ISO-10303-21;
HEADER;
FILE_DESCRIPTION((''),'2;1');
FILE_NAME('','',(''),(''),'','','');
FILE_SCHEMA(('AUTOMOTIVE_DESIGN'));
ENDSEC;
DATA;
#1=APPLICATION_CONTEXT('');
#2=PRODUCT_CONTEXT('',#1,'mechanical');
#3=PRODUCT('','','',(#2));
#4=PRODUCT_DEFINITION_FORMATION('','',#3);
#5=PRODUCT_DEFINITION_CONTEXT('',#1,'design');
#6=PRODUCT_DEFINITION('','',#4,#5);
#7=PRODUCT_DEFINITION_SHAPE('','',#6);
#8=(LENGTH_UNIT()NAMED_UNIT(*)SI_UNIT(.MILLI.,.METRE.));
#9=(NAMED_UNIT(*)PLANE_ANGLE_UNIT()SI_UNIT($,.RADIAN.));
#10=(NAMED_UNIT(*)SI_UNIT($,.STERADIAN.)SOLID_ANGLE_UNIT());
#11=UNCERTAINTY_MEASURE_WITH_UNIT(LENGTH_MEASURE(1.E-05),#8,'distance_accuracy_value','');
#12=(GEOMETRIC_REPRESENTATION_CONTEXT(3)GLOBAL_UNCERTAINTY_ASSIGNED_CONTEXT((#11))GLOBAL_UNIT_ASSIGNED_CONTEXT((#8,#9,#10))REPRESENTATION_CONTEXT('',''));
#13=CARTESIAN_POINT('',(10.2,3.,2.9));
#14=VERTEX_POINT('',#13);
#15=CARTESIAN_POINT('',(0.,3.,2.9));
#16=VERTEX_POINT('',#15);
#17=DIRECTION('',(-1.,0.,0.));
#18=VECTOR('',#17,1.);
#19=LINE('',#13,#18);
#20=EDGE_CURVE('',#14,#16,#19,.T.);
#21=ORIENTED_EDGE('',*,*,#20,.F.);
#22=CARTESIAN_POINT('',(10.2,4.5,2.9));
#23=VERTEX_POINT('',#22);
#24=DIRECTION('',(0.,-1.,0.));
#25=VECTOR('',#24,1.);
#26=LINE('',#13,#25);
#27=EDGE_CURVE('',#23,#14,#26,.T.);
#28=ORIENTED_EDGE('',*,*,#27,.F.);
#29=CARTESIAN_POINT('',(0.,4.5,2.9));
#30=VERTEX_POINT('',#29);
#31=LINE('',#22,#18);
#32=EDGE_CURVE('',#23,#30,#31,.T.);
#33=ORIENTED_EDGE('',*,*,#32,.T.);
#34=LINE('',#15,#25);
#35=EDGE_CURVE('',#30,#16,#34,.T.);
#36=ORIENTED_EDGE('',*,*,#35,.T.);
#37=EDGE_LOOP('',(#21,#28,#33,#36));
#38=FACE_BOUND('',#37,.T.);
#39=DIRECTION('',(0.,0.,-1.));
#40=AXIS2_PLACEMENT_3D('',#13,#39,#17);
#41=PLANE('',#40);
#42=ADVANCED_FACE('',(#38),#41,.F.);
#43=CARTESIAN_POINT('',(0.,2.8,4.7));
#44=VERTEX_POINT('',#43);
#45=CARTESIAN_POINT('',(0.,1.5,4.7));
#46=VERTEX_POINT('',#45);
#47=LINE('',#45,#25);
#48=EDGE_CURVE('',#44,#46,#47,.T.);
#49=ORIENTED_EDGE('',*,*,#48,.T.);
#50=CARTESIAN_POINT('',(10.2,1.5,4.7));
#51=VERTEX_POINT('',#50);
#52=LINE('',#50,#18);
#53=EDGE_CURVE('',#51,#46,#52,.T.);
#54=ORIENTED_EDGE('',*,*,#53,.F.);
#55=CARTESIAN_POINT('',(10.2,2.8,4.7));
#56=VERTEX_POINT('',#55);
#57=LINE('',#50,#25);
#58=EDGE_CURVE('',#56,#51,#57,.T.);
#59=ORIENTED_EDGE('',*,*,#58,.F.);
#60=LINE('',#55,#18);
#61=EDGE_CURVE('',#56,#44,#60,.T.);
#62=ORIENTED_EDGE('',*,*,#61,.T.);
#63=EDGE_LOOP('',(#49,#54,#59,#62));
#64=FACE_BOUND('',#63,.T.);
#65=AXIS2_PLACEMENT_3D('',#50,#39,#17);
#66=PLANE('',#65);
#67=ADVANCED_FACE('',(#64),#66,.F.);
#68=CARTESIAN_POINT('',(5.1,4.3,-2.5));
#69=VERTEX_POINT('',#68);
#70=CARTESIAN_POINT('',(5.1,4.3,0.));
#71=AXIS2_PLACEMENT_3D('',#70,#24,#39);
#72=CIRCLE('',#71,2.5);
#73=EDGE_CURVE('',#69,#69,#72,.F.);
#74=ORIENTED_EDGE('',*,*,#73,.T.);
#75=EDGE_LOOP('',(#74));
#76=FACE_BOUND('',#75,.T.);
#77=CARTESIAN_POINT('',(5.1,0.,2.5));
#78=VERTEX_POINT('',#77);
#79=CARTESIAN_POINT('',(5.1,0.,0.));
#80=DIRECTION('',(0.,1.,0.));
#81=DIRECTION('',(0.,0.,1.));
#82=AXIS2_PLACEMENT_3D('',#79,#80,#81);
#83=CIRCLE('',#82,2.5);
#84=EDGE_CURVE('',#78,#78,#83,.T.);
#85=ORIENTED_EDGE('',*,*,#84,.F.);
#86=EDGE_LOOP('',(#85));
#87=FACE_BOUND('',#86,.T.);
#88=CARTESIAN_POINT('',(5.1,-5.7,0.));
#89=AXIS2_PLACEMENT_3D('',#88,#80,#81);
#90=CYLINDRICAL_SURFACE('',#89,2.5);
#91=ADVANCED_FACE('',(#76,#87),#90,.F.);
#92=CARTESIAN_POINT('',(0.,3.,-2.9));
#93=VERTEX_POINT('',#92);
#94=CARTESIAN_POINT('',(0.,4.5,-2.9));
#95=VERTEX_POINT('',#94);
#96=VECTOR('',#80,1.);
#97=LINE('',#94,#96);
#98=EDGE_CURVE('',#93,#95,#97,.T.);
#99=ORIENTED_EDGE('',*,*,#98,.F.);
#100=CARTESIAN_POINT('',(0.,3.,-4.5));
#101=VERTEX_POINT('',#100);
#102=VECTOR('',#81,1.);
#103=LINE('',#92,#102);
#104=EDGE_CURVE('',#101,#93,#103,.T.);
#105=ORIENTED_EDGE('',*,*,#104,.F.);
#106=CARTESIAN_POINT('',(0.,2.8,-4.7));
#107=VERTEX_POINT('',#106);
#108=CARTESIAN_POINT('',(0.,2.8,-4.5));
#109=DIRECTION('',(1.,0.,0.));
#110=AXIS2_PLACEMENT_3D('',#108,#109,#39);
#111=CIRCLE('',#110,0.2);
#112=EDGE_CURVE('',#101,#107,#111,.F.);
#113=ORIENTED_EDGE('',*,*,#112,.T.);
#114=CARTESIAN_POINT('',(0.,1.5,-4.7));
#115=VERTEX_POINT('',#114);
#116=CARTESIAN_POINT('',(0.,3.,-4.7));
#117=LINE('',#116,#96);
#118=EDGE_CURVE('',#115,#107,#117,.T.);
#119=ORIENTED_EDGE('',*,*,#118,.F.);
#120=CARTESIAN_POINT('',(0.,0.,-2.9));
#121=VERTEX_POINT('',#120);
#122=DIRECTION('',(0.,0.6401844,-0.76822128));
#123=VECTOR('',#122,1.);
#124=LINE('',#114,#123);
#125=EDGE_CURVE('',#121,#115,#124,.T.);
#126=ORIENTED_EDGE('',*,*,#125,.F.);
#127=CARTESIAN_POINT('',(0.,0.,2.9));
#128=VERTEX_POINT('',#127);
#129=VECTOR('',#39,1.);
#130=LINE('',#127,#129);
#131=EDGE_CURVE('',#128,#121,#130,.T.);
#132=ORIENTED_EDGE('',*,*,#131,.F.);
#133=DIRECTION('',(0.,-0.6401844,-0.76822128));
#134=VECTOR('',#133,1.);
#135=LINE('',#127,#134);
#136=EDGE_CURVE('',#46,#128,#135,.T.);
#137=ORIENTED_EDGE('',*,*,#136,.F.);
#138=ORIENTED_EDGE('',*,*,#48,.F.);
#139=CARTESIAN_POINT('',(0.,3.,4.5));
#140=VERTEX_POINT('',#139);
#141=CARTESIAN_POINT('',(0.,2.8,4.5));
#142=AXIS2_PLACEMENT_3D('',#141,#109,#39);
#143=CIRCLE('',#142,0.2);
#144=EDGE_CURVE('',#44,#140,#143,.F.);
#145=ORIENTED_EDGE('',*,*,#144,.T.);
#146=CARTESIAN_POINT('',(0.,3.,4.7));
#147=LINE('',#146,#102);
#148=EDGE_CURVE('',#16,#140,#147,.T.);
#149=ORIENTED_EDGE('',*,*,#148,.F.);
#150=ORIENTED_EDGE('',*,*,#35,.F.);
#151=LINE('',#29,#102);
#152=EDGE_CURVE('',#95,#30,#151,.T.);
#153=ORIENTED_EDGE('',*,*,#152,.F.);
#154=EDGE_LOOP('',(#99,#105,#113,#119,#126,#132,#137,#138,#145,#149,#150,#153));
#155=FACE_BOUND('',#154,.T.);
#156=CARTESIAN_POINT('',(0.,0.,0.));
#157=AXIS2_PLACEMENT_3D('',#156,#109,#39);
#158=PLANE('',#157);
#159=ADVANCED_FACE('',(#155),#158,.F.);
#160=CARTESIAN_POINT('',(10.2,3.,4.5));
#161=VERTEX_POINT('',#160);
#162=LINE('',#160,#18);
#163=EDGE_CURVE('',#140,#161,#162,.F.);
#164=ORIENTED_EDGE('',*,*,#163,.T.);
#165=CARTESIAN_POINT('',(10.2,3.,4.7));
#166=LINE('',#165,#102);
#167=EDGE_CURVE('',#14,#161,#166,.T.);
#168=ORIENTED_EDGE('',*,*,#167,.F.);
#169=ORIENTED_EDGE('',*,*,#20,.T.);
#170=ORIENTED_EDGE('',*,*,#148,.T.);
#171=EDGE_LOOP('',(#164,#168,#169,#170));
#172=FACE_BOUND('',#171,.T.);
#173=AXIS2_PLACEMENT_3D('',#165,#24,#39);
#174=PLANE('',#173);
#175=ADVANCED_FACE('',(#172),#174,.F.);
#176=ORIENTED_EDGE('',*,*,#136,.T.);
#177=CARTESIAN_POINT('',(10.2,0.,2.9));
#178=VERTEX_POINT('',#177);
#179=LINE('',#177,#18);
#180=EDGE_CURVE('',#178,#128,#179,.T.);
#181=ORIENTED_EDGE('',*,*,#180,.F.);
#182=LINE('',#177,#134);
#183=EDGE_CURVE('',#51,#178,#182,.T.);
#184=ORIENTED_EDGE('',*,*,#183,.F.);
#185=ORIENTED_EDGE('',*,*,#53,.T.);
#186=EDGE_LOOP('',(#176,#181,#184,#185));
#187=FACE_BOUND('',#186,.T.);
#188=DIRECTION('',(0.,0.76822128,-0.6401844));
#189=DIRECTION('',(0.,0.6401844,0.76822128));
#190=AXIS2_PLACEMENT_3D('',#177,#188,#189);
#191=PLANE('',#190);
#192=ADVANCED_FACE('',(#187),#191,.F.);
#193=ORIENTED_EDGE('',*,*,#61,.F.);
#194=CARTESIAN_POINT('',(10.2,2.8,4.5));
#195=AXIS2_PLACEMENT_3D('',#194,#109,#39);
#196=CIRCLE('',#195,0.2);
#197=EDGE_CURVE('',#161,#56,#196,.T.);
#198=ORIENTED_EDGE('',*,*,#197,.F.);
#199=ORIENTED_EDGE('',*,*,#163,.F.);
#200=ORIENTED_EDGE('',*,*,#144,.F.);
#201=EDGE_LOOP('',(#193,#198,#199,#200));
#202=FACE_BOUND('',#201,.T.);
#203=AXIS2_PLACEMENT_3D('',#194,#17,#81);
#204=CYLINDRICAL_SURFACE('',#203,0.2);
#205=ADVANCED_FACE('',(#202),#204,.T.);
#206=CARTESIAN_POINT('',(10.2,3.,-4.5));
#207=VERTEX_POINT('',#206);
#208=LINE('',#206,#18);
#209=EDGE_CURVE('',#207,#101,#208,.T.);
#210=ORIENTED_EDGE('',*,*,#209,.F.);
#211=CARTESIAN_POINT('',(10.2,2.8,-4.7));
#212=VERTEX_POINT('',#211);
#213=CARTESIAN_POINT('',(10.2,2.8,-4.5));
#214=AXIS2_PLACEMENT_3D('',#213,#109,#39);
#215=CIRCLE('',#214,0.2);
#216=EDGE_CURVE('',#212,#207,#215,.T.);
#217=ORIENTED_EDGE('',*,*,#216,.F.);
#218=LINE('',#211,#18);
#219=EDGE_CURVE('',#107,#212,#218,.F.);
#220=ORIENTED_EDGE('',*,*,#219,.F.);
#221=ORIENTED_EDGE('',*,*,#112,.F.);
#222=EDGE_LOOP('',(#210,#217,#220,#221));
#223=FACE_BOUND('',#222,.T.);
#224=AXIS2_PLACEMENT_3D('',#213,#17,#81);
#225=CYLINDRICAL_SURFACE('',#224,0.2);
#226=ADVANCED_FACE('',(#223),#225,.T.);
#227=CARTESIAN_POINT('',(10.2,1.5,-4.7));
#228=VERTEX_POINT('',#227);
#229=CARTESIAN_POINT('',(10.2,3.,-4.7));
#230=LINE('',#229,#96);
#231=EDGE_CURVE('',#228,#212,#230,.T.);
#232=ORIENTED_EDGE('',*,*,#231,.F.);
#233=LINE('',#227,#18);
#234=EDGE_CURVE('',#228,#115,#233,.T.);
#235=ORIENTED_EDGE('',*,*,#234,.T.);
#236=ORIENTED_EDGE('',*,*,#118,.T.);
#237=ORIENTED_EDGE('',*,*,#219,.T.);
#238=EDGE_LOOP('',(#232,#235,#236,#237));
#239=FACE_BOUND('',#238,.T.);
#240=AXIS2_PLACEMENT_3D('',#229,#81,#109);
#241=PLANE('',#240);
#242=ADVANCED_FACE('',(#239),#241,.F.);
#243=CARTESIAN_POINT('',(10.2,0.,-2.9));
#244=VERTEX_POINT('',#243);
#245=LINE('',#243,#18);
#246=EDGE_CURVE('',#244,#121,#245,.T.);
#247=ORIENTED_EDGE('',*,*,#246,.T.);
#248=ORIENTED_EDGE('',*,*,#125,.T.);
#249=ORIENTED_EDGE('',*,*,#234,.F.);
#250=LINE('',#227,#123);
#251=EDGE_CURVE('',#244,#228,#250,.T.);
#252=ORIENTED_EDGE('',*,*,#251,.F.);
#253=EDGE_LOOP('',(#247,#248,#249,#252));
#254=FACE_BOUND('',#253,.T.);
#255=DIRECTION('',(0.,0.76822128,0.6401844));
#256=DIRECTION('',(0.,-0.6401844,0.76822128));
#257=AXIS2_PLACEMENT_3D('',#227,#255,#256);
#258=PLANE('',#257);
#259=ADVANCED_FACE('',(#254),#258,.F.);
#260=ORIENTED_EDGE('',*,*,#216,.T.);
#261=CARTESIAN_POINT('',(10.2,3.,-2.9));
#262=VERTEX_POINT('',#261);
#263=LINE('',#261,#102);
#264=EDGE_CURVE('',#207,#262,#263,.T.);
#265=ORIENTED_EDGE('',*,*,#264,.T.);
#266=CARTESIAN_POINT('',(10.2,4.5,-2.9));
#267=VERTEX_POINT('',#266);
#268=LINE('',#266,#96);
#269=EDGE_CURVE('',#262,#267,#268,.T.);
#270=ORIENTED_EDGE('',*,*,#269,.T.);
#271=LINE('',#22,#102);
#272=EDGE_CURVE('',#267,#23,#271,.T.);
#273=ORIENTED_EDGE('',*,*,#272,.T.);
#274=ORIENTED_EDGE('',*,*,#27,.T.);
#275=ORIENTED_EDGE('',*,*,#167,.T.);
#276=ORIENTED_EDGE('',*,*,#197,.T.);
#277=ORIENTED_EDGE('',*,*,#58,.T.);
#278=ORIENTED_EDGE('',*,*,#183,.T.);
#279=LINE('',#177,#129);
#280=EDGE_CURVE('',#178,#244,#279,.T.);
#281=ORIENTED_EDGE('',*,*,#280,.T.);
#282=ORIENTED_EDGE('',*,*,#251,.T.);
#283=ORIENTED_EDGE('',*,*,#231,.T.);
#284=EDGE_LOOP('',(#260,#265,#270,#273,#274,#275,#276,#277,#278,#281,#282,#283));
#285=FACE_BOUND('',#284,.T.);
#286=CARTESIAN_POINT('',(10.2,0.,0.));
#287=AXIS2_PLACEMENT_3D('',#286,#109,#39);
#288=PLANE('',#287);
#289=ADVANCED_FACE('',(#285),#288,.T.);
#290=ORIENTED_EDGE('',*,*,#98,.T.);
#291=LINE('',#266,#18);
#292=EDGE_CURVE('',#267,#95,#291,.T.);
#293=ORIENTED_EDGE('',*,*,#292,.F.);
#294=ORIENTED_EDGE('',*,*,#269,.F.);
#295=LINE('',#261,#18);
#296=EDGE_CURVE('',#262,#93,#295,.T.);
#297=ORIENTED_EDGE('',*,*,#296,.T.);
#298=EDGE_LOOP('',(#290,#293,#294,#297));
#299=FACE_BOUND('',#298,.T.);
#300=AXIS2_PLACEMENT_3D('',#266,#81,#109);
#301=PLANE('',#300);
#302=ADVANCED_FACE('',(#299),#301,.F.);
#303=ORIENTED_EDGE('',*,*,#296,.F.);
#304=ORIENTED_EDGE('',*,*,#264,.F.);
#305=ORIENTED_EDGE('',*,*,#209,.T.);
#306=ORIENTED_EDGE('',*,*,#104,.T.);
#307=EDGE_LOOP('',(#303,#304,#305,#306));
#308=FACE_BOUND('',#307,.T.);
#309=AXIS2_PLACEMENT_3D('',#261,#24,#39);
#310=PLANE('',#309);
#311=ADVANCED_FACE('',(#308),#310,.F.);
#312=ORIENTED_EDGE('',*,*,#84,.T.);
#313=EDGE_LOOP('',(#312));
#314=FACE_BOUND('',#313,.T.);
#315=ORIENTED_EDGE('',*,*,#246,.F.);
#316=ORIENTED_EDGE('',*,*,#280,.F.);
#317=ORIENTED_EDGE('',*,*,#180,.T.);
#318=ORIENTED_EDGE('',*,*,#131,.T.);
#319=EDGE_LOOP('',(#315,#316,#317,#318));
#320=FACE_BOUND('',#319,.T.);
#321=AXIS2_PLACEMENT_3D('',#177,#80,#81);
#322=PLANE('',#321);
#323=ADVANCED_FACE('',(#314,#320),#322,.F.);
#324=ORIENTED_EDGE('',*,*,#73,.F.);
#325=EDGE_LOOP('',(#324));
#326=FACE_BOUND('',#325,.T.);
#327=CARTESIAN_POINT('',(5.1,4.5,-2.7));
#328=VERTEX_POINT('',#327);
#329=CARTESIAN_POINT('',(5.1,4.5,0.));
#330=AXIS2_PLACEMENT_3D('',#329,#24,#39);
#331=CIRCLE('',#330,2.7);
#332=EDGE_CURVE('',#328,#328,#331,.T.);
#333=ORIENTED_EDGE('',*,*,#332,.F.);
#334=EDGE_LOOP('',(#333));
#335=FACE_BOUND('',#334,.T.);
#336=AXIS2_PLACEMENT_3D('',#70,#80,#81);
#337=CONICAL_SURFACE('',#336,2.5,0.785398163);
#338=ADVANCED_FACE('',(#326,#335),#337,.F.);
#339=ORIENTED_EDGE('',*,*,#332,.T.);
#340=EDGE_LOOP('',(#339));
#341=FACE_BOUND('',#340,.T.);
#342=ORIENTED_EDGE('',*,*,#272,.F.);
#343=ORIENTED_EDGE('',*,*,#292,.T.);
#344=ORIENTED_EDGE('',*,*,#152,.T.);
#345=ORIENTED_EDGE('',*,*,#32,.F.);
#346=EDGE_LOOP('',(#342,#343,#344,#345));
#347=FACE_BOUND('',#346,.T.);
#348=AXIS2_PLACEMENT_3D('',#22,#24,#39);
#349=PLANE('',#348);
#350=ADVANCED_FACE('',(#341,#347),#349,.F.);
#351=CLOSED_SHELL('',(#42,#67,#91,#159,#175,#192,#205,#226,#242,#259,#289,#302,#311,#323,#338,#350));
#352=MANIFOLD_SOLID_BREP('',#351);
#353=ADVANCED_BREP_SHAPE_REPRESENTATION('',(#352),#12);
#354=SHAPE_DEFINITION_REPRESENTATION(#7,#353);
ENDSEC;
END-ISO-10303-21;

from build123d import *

# Parameters (mm, degrees)
BODY_DEPTH      = 10.2
SKETCH_2_R      = 2.5
SCREWHOLE_DEPTH = 10.2
CHAMFER_2_SIZE  = 0.2
FILLET_2_R      = 0.2


with BuildPart() as part:
    # Эскиз1 → Body (new body)
    with BuildSketch(Plane(origin=(0, 0, 0), x_dir=(0, 0, -1), z_dir=(1, 0, 0))):
        Polygon((-2.9, 0), (2.9, 0), (4.7, 1.5), (4.7, 3), (2.9, 3), (2.9, 4.5), (-2.9, 4.5), (-2.9, 3), (-4.7, 3), (-4.7, 1.5), align=None)
    extrude(amount=BODY_DEPTH)

    # Эскиз2 → screwHole (cut)
    with BuildSketch(Plane(origin=(0, 4.5, 0), x_dir=(1, 0, 0), z_dir=(0, 1, 0))):
        with Locations((5.1, 0)):
            Circle(SKETCH_2_R)
    extrude(amount=-SCREWHOLE_DEPTH, mode=Mode.SUBTRACT)

    # Chamfer 2
    chamfer_2_edges = [part.edges().sort_by_distance(p)[0] for p in [
        (2.6, 4.5, 0),
    ]]
    chamfer(chamfer_2_edges, length=CHAMFER_2_SIZE)

    # Fillet 2
    fillet_2_edges = [part.edges().sort_by_distance(p)[0] for p in [
        (5.1, 3, 4.7),
        (5.1, 3, -4.7),
    ]]
    fillet(fillet_2_edges, radius=FILLET_2_R)


solid = part.part
